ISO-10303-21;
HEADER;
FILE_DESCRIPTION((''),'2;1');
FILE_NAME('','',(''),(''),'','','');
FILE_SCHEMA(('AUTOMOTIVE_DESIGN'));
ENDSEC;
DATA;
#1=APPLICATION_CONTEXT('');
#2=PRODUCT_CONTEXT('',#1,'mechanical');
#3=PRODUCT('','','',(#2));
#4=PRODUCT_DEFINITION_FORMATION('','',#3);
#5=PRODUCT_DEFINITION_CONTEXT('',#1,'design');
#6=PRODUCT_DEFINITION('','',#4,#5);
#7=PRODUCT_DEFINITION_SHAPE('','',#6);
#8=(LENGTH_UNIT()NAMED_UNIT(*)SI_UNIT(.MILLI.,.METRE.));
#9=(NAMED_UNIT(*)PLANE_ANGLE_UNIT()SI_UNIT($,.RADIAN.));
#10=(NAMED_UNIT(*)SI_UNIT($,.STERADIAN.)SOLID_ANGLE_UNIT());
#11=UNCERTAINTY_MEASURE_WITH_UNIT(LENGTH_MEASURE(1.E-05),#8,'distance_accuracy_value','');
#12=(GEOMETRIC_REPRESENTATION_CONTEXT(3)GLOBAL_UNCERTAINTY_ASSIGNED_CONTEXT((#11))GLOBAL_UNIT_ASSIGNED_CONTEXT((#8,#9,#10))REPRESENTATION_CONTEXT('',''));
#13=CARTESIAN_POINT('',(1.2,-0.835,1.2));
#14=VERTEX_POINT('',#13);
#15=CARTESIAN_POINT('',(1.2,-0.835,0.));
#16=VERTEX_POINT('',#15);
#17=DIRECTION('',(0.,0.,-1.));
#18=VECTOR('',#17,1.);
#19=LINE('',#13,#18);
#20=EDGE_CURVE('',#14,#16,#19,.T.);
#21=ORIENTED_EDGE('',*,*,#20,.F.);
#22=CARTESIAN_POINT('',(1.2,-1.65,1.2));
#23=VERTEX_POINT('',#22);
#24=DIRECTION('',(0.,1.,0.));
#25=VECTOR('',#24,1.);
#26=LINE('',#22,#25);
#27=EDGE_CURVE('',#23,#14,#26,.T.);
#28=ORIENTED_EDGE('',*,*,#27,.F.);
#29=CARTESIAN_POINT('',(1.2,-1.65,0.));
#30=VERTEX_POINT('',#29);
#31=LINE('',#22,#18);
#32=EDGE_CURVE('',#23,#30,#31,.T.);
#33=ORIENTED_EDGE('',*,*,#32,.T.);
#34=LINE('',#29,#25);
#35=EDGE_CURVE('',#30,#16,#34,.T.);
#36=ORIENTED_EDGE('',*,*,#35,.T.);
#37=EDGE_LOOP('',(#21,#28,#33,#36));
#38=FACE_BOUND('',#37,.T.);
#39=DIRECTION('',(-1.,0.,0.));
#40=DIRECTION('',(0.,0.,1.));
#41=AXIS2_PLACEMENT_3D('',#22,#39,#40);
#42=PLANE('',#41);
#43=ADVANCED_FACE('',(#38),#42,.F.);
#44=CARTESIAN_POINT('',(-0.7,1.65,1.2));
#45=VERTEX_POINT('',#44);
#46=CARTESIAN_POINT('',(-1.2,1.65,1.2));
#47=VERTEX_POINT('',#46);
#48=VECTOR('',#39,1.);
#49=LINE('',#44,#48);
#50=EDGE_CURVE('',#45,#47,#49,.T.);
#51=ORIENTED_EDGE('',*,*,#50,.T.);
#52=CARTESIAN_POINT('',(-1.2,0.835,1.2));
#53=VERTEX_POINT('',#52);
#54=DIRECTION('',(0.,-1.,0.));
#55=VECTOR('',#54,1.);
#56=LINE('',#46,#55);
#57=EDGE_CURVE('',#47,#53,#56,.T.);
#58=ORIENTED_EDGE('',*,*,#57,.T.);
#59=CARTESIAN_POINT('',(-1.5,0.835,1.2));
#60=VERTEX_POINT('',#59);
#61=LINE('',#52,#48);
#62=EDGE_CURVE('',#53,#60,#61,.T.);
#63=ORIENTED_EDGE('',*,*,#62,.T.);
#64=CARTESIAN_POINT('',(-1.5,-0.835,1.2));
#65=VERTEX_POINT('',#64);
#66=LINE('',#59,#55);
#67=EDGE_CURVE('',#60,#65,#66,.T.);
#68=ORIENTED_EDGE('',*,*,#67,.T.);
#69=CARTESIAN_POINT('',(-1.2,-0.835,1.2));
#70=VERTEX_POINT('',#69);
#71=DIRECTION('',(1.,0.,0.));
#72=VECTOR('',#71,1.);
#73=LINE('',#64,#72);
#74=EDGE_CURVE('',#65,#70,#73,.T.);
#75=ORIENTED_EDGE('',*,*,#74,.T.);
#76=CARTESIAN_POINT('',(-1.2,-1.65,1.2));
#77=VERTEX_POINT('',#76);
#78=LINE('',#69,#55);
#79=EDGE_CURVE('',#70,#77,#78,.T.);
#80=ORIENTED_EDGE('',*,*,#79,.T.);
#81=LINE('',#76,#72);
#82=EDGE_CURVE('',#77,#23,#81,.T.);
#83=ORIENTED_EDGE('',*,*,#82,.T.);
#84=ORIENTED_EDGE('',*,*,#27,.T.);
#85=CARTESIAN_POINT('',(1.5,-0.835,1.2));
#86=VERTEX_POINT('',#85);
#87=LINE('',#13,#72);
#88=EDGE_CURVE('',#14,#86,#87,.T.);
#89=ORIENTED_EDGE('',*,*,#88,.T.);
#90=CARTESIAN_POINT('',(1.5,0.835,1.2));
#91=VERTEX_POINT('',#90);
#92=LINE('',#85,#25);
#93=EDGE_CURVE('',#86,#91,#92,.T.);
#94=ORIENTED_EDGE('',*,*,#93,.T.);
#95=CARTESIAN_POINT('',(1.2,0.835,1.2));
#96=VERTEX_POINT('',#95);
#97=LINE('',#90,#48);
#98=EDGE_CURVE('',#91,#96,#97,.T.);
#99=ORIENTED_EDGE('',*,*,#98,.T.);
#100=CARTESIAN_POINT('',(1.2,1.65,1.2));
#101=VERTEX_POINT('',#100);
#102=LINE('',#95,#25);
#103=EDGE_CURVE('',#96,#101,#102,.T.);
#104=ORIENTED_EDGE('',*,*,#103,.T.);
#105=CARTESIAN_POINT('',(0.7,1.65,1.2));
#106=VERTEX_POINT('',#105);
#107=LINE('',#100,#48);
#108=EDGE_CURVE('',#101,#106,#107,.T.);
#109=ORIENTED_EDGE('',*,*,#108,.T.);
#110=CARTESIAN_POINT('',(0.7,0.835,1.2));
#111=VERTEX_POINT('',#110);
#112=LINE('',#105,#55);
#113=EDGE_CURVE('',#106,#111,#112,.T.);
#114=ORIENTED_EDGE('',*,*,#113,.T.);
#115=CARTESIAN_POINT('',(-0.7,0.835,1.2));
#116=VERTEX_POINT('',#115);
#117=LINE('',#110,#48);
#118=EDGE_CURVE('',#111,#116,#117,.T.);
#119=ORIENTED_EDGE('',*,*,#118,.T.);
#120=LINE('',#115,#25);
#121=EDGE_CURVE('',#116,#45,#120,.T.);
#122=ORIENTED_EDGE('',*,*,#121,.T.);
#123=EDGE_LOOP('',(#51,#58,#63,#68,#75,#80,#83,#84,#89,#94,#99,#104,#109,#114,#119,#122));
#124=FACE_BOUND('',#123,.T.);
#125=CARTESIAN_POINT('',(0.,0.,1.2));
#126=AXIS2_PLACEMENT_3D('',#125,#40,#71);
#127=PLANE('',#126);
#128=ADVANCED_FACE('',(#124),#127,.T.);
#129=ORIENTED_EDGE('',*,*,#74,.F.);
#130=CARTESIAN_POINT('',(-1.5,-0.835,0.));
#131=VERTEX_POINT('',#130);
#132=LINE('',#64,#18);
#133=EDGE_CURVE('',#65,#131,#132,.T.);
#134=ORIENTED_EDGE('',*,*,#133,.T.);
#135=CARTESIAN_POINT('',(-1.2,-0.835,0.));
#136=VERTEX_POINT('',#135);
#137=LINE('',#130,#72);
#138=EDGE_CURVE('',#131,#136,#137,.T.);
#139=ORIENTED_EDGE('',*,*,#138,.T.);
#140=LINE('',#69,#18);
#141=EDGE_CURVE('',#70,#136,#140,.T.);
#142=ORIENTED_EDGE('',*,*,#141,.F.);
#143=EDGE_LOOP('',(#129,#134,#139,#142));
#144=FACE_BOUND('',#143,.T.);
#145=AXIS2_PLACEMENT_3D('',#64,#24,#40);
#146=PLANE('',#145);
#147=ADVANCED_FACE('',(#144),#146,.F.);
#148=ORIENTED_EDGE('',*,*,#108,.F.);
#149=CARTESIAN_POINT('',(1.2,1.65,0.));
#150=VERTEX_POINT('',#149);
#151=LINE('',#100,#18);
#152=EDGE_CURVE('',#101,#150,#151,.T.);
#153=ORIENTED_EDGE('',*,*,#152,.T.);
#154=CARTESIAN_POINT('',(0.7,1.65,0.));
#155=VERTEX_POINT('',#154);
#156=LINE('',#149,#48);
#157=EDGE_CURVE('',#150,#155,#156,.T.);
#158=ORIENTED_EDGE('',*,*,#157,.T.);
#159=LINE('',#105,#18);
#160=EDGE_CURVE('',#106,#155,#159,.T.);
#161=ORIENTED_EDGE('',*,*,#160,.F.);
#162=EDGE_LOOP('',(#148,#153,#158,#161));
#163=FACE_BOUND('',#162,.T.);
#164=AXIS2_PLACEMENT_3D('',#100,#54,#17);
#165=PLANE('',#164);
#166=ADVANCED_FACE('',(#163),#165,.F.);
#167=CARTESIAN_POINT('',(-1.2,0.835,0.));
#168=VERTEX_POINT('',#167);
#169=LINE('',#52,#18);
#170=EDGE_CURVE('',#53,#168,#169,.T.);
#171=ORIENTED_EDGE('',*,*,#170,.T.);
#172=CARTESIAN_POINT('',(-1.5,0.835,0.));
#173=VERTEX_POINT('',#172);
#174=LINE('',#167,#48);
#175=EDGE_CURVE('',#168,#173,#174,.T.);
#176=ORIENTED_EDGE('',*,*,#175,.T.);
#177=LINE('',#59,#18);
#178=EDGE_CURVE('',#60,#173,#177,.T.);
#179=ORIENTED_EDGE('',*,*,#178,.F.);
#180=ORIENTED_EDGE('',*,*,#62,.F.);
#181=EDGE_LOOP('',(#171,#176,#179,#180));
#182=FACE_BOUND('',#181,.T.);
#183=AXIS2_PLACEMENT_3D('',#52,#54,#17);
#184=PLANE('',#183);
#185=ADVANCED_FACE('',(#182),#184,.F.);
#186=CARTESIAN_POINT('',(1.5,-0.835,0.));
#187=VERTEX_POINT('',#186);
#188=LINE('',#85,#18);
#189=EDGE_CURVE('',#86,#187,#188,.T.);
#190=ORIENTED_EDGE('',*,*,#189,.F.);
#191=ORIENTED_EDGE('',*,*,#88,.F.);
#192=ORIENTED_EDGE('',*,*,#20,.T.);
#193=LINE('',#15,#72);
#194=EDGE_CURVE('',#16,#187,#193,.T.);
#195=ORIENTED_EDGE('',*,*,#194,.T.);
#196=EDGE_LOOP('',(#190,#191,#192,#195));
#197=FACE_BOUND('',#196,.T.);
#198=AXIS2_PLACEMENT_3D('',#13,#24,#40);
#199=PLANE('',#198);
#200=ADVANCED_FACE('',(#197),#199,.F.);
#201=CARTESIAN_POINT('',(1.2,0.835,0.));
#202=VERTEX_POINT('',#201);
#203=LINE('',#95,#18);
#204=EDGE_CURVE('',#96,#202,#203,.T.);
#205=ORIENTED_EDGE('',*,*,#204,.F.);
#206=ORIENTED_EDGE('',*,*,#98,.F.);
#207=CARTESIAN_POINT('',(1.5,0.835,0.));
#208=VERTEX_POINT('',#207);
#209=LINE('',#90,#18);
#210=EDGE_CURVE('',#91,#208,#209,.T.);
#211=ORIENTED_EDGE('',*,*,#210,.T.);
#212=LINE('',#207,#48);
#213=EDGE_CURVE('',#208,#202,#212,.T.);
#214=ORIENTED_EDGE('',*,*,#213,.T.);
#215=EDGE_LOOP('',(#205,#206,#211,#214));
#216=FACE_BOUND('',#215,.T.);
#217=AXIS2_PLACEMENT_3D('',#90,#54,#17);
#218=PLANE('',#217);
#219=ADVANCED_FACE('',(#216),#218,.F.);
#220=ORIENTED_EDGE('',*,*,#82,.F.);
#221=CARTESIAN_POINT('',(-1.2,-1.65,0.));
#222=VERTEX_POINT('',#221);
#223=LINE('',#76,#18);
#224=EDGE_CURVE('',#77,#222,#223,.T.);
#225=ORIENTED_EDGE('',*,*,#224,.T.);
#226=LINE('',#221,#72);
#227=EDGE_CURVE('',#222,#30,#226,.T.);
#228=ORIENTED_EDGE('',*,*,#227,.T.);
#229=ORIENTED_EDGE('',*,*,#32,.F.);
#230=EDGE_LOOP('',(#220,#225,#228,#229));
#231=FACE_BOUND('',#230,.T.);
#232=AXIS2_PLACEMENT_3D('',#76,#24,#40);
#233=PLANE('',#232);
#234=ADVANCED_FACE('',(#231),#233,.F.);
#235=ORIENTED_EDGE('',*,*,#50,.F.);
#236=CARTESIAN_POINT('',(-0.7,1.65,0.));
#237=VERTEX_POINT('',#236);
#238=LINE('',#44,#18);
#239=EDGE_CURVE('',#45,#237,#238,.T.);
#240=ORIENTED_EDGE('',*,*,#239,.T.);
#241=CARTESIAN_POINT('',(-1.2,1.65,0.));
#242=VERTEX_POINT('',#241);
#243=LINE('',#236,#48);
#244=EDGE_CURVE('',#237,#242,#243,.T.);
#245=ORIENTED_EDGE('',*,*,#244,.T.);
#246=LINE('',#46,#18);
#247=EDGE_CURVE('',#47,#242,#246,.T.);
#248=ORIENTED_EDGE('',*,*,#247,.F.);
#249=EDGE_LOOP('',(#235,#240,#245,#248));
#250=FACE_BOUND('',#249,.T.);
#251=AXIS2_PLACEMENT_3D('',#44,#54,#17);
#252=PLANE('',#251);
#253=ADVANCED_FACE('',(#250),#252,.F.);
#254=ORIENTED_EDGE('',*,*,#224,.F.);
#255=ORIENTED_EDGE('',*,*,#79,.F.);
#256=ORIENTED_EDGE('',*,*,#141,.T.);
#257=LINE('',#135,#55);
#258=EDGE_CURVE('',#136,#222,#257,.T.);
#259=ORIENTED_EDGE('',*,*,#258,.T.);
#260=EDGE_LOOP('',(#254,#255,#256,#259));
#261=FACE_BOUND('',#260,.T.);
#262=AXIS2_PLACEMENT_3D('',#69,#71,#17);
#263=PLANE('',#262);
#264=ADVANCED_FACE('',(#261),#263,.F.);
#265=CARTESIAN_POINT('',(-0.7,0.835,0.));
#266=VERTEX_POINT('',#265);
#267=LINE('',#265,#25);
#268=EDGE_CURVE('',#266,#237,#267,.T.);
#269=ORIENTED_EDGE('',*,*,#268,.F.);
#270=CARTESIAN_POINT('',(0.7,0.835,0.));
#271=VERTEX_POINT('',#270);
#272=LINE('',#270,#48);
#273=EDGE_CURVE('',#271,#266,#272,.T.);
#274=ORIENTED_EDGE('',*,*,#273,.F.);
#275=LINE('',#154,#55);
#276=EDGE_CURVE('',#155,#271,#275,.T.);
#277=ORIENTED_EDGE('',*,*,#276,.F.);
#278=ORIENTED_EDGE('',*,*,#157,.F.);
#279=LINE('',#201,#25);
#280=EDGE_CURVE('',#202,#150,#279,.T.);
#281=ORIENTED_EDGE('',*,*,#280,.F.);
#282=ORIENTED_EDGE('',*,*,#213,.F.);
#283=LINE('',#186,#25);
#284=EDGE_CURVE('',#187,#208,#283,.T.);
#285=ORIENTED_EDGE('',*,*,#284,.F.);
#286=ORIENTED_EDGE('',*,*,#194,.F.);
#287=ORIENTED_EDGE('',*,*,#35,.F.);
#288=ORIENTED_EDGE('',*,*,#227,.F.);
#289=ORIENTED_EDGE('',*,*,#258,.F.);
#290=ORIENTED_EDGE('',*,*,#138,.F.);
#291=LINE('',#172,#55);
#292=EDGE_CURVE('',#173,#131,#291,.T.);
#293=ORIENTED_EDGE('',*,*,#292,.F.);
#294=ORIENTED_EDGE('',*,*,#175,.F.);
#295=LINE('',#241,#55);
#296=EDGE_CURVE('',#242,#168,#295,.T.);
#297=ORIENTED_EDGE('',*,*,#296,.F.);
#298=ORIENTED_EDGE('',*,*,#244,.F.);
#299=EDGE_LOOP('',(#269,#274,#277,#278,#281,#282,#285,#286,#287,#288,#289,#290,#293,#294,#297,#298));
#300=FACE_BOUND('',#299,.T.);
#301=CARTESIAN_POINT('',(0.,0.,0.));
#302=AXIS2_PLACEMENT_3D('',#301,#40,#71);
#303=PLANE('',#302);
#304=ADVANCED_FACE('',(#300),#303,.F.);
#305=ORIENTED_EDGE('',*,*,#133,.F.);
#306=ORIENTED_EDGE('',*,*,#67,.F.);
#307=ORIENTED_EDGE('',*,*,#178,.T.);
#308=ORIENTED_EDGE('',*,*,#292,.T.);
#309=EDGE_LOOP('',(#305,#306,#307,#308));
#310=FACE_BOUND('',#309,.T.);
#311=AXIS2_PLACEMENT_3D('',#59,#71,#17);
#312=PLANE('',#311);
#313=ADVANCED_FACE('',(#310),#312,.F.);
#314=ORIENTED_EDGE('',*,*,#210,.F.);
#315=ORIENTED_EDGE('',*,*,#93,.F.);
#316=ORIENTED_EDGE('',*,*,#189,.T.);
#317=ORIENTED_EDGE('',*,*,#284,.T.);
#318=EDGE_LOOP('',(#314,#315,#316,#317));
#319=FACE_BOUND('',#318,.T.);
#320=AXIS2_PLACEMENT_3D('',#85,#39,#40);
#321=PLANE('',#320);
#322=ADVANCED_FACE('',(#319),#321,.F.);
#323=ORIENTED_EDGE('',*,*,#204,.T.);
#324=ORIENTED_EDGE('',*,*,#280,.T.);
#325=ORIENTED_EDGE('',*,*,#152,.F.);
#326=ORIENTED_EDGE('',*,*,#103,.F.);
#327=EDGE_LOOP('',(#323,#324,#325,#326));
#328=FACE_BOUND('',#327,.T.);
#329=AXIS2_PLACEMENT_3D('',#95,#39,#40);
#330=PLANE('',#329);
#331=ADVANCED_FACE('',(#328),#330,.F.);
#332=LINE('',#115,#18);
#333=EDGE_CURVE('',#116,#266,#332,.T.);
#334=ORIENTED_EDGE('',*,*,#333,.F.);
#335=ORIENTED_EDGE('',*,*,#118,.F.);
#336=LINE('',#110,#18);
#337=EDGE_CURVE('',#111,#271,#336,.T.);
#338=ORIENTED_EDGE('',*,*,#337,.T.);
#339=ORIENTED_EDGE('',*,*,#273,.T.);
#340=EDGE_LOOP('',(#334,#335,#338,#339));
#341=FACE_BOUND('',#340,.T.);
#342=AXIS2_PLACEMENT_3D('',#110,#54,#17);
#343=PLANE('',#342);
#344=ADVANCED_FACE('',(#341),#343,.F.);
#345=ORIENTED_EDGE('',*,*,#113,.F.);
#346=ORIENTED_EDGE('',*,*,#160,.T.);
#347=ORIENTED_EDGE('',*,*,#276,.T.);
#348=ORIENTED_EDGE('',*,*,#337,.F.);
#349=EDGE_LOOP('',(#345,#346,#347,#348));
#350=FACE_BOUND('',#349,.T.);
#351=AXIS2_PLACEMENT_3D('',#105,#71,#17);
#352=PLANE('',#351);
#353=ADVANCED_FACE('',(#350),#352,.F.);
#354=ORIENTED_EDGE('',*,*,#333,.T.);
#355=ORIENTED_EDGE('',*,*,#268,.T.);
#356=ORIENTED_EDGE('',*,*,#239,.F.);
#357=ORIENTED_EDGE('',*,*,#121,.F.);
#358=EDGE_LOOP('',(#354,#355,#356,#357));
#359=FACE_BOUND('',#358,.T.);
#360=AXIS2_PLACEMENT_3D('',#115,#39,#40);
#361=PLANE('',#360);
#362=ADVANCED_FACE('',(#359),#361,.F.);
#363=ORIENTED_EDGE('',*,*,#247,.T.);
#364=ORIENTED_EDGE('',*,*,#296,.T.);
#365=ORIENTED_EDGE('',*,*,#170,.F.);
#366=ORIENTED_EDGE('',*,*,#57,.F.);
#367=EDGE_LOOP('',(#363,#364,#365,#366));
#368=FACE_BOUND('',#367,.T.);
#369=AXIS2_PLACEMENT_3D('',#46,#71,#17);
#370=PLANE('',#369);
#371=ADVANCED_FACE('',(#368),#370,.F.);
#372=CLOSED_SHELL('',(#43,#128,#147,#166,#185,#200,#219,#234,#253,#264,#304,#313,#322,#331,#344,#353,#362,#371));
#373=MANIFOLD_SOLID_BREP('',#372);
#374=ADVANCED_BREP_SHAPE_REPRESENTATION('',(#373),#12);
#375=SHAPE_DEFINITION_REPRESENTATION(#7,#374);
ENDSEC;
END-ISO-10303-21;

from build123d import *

# Parameters (mm, degrees)
COMPONENT_OUTLINE_DEPTH = 1.2


with BuildPart() as part:
    # 草图1 → Component_Outline (new body)
    with BuildSketch(Plane.XY):
        Polygon((-1.5, -0.835), (-1.2, -0.835), (-1.2, -1.65), (1.2, -1.65), (1.2, -0.835), (1.5, -0.835), (1.5, 0.835), (1.2, 0.835), (1.2, 1.65), (0.7, 1.65), (0.7, 0.835), (-0.7, 0.835), (-0.7, 1.65), (-1.2, 1.65), (-1.2, 0.835), (-1.5, 0.835), align=None)
    extrude(amount=COMPONENT_OUTLINE_DEPTH)


solid = part.part
